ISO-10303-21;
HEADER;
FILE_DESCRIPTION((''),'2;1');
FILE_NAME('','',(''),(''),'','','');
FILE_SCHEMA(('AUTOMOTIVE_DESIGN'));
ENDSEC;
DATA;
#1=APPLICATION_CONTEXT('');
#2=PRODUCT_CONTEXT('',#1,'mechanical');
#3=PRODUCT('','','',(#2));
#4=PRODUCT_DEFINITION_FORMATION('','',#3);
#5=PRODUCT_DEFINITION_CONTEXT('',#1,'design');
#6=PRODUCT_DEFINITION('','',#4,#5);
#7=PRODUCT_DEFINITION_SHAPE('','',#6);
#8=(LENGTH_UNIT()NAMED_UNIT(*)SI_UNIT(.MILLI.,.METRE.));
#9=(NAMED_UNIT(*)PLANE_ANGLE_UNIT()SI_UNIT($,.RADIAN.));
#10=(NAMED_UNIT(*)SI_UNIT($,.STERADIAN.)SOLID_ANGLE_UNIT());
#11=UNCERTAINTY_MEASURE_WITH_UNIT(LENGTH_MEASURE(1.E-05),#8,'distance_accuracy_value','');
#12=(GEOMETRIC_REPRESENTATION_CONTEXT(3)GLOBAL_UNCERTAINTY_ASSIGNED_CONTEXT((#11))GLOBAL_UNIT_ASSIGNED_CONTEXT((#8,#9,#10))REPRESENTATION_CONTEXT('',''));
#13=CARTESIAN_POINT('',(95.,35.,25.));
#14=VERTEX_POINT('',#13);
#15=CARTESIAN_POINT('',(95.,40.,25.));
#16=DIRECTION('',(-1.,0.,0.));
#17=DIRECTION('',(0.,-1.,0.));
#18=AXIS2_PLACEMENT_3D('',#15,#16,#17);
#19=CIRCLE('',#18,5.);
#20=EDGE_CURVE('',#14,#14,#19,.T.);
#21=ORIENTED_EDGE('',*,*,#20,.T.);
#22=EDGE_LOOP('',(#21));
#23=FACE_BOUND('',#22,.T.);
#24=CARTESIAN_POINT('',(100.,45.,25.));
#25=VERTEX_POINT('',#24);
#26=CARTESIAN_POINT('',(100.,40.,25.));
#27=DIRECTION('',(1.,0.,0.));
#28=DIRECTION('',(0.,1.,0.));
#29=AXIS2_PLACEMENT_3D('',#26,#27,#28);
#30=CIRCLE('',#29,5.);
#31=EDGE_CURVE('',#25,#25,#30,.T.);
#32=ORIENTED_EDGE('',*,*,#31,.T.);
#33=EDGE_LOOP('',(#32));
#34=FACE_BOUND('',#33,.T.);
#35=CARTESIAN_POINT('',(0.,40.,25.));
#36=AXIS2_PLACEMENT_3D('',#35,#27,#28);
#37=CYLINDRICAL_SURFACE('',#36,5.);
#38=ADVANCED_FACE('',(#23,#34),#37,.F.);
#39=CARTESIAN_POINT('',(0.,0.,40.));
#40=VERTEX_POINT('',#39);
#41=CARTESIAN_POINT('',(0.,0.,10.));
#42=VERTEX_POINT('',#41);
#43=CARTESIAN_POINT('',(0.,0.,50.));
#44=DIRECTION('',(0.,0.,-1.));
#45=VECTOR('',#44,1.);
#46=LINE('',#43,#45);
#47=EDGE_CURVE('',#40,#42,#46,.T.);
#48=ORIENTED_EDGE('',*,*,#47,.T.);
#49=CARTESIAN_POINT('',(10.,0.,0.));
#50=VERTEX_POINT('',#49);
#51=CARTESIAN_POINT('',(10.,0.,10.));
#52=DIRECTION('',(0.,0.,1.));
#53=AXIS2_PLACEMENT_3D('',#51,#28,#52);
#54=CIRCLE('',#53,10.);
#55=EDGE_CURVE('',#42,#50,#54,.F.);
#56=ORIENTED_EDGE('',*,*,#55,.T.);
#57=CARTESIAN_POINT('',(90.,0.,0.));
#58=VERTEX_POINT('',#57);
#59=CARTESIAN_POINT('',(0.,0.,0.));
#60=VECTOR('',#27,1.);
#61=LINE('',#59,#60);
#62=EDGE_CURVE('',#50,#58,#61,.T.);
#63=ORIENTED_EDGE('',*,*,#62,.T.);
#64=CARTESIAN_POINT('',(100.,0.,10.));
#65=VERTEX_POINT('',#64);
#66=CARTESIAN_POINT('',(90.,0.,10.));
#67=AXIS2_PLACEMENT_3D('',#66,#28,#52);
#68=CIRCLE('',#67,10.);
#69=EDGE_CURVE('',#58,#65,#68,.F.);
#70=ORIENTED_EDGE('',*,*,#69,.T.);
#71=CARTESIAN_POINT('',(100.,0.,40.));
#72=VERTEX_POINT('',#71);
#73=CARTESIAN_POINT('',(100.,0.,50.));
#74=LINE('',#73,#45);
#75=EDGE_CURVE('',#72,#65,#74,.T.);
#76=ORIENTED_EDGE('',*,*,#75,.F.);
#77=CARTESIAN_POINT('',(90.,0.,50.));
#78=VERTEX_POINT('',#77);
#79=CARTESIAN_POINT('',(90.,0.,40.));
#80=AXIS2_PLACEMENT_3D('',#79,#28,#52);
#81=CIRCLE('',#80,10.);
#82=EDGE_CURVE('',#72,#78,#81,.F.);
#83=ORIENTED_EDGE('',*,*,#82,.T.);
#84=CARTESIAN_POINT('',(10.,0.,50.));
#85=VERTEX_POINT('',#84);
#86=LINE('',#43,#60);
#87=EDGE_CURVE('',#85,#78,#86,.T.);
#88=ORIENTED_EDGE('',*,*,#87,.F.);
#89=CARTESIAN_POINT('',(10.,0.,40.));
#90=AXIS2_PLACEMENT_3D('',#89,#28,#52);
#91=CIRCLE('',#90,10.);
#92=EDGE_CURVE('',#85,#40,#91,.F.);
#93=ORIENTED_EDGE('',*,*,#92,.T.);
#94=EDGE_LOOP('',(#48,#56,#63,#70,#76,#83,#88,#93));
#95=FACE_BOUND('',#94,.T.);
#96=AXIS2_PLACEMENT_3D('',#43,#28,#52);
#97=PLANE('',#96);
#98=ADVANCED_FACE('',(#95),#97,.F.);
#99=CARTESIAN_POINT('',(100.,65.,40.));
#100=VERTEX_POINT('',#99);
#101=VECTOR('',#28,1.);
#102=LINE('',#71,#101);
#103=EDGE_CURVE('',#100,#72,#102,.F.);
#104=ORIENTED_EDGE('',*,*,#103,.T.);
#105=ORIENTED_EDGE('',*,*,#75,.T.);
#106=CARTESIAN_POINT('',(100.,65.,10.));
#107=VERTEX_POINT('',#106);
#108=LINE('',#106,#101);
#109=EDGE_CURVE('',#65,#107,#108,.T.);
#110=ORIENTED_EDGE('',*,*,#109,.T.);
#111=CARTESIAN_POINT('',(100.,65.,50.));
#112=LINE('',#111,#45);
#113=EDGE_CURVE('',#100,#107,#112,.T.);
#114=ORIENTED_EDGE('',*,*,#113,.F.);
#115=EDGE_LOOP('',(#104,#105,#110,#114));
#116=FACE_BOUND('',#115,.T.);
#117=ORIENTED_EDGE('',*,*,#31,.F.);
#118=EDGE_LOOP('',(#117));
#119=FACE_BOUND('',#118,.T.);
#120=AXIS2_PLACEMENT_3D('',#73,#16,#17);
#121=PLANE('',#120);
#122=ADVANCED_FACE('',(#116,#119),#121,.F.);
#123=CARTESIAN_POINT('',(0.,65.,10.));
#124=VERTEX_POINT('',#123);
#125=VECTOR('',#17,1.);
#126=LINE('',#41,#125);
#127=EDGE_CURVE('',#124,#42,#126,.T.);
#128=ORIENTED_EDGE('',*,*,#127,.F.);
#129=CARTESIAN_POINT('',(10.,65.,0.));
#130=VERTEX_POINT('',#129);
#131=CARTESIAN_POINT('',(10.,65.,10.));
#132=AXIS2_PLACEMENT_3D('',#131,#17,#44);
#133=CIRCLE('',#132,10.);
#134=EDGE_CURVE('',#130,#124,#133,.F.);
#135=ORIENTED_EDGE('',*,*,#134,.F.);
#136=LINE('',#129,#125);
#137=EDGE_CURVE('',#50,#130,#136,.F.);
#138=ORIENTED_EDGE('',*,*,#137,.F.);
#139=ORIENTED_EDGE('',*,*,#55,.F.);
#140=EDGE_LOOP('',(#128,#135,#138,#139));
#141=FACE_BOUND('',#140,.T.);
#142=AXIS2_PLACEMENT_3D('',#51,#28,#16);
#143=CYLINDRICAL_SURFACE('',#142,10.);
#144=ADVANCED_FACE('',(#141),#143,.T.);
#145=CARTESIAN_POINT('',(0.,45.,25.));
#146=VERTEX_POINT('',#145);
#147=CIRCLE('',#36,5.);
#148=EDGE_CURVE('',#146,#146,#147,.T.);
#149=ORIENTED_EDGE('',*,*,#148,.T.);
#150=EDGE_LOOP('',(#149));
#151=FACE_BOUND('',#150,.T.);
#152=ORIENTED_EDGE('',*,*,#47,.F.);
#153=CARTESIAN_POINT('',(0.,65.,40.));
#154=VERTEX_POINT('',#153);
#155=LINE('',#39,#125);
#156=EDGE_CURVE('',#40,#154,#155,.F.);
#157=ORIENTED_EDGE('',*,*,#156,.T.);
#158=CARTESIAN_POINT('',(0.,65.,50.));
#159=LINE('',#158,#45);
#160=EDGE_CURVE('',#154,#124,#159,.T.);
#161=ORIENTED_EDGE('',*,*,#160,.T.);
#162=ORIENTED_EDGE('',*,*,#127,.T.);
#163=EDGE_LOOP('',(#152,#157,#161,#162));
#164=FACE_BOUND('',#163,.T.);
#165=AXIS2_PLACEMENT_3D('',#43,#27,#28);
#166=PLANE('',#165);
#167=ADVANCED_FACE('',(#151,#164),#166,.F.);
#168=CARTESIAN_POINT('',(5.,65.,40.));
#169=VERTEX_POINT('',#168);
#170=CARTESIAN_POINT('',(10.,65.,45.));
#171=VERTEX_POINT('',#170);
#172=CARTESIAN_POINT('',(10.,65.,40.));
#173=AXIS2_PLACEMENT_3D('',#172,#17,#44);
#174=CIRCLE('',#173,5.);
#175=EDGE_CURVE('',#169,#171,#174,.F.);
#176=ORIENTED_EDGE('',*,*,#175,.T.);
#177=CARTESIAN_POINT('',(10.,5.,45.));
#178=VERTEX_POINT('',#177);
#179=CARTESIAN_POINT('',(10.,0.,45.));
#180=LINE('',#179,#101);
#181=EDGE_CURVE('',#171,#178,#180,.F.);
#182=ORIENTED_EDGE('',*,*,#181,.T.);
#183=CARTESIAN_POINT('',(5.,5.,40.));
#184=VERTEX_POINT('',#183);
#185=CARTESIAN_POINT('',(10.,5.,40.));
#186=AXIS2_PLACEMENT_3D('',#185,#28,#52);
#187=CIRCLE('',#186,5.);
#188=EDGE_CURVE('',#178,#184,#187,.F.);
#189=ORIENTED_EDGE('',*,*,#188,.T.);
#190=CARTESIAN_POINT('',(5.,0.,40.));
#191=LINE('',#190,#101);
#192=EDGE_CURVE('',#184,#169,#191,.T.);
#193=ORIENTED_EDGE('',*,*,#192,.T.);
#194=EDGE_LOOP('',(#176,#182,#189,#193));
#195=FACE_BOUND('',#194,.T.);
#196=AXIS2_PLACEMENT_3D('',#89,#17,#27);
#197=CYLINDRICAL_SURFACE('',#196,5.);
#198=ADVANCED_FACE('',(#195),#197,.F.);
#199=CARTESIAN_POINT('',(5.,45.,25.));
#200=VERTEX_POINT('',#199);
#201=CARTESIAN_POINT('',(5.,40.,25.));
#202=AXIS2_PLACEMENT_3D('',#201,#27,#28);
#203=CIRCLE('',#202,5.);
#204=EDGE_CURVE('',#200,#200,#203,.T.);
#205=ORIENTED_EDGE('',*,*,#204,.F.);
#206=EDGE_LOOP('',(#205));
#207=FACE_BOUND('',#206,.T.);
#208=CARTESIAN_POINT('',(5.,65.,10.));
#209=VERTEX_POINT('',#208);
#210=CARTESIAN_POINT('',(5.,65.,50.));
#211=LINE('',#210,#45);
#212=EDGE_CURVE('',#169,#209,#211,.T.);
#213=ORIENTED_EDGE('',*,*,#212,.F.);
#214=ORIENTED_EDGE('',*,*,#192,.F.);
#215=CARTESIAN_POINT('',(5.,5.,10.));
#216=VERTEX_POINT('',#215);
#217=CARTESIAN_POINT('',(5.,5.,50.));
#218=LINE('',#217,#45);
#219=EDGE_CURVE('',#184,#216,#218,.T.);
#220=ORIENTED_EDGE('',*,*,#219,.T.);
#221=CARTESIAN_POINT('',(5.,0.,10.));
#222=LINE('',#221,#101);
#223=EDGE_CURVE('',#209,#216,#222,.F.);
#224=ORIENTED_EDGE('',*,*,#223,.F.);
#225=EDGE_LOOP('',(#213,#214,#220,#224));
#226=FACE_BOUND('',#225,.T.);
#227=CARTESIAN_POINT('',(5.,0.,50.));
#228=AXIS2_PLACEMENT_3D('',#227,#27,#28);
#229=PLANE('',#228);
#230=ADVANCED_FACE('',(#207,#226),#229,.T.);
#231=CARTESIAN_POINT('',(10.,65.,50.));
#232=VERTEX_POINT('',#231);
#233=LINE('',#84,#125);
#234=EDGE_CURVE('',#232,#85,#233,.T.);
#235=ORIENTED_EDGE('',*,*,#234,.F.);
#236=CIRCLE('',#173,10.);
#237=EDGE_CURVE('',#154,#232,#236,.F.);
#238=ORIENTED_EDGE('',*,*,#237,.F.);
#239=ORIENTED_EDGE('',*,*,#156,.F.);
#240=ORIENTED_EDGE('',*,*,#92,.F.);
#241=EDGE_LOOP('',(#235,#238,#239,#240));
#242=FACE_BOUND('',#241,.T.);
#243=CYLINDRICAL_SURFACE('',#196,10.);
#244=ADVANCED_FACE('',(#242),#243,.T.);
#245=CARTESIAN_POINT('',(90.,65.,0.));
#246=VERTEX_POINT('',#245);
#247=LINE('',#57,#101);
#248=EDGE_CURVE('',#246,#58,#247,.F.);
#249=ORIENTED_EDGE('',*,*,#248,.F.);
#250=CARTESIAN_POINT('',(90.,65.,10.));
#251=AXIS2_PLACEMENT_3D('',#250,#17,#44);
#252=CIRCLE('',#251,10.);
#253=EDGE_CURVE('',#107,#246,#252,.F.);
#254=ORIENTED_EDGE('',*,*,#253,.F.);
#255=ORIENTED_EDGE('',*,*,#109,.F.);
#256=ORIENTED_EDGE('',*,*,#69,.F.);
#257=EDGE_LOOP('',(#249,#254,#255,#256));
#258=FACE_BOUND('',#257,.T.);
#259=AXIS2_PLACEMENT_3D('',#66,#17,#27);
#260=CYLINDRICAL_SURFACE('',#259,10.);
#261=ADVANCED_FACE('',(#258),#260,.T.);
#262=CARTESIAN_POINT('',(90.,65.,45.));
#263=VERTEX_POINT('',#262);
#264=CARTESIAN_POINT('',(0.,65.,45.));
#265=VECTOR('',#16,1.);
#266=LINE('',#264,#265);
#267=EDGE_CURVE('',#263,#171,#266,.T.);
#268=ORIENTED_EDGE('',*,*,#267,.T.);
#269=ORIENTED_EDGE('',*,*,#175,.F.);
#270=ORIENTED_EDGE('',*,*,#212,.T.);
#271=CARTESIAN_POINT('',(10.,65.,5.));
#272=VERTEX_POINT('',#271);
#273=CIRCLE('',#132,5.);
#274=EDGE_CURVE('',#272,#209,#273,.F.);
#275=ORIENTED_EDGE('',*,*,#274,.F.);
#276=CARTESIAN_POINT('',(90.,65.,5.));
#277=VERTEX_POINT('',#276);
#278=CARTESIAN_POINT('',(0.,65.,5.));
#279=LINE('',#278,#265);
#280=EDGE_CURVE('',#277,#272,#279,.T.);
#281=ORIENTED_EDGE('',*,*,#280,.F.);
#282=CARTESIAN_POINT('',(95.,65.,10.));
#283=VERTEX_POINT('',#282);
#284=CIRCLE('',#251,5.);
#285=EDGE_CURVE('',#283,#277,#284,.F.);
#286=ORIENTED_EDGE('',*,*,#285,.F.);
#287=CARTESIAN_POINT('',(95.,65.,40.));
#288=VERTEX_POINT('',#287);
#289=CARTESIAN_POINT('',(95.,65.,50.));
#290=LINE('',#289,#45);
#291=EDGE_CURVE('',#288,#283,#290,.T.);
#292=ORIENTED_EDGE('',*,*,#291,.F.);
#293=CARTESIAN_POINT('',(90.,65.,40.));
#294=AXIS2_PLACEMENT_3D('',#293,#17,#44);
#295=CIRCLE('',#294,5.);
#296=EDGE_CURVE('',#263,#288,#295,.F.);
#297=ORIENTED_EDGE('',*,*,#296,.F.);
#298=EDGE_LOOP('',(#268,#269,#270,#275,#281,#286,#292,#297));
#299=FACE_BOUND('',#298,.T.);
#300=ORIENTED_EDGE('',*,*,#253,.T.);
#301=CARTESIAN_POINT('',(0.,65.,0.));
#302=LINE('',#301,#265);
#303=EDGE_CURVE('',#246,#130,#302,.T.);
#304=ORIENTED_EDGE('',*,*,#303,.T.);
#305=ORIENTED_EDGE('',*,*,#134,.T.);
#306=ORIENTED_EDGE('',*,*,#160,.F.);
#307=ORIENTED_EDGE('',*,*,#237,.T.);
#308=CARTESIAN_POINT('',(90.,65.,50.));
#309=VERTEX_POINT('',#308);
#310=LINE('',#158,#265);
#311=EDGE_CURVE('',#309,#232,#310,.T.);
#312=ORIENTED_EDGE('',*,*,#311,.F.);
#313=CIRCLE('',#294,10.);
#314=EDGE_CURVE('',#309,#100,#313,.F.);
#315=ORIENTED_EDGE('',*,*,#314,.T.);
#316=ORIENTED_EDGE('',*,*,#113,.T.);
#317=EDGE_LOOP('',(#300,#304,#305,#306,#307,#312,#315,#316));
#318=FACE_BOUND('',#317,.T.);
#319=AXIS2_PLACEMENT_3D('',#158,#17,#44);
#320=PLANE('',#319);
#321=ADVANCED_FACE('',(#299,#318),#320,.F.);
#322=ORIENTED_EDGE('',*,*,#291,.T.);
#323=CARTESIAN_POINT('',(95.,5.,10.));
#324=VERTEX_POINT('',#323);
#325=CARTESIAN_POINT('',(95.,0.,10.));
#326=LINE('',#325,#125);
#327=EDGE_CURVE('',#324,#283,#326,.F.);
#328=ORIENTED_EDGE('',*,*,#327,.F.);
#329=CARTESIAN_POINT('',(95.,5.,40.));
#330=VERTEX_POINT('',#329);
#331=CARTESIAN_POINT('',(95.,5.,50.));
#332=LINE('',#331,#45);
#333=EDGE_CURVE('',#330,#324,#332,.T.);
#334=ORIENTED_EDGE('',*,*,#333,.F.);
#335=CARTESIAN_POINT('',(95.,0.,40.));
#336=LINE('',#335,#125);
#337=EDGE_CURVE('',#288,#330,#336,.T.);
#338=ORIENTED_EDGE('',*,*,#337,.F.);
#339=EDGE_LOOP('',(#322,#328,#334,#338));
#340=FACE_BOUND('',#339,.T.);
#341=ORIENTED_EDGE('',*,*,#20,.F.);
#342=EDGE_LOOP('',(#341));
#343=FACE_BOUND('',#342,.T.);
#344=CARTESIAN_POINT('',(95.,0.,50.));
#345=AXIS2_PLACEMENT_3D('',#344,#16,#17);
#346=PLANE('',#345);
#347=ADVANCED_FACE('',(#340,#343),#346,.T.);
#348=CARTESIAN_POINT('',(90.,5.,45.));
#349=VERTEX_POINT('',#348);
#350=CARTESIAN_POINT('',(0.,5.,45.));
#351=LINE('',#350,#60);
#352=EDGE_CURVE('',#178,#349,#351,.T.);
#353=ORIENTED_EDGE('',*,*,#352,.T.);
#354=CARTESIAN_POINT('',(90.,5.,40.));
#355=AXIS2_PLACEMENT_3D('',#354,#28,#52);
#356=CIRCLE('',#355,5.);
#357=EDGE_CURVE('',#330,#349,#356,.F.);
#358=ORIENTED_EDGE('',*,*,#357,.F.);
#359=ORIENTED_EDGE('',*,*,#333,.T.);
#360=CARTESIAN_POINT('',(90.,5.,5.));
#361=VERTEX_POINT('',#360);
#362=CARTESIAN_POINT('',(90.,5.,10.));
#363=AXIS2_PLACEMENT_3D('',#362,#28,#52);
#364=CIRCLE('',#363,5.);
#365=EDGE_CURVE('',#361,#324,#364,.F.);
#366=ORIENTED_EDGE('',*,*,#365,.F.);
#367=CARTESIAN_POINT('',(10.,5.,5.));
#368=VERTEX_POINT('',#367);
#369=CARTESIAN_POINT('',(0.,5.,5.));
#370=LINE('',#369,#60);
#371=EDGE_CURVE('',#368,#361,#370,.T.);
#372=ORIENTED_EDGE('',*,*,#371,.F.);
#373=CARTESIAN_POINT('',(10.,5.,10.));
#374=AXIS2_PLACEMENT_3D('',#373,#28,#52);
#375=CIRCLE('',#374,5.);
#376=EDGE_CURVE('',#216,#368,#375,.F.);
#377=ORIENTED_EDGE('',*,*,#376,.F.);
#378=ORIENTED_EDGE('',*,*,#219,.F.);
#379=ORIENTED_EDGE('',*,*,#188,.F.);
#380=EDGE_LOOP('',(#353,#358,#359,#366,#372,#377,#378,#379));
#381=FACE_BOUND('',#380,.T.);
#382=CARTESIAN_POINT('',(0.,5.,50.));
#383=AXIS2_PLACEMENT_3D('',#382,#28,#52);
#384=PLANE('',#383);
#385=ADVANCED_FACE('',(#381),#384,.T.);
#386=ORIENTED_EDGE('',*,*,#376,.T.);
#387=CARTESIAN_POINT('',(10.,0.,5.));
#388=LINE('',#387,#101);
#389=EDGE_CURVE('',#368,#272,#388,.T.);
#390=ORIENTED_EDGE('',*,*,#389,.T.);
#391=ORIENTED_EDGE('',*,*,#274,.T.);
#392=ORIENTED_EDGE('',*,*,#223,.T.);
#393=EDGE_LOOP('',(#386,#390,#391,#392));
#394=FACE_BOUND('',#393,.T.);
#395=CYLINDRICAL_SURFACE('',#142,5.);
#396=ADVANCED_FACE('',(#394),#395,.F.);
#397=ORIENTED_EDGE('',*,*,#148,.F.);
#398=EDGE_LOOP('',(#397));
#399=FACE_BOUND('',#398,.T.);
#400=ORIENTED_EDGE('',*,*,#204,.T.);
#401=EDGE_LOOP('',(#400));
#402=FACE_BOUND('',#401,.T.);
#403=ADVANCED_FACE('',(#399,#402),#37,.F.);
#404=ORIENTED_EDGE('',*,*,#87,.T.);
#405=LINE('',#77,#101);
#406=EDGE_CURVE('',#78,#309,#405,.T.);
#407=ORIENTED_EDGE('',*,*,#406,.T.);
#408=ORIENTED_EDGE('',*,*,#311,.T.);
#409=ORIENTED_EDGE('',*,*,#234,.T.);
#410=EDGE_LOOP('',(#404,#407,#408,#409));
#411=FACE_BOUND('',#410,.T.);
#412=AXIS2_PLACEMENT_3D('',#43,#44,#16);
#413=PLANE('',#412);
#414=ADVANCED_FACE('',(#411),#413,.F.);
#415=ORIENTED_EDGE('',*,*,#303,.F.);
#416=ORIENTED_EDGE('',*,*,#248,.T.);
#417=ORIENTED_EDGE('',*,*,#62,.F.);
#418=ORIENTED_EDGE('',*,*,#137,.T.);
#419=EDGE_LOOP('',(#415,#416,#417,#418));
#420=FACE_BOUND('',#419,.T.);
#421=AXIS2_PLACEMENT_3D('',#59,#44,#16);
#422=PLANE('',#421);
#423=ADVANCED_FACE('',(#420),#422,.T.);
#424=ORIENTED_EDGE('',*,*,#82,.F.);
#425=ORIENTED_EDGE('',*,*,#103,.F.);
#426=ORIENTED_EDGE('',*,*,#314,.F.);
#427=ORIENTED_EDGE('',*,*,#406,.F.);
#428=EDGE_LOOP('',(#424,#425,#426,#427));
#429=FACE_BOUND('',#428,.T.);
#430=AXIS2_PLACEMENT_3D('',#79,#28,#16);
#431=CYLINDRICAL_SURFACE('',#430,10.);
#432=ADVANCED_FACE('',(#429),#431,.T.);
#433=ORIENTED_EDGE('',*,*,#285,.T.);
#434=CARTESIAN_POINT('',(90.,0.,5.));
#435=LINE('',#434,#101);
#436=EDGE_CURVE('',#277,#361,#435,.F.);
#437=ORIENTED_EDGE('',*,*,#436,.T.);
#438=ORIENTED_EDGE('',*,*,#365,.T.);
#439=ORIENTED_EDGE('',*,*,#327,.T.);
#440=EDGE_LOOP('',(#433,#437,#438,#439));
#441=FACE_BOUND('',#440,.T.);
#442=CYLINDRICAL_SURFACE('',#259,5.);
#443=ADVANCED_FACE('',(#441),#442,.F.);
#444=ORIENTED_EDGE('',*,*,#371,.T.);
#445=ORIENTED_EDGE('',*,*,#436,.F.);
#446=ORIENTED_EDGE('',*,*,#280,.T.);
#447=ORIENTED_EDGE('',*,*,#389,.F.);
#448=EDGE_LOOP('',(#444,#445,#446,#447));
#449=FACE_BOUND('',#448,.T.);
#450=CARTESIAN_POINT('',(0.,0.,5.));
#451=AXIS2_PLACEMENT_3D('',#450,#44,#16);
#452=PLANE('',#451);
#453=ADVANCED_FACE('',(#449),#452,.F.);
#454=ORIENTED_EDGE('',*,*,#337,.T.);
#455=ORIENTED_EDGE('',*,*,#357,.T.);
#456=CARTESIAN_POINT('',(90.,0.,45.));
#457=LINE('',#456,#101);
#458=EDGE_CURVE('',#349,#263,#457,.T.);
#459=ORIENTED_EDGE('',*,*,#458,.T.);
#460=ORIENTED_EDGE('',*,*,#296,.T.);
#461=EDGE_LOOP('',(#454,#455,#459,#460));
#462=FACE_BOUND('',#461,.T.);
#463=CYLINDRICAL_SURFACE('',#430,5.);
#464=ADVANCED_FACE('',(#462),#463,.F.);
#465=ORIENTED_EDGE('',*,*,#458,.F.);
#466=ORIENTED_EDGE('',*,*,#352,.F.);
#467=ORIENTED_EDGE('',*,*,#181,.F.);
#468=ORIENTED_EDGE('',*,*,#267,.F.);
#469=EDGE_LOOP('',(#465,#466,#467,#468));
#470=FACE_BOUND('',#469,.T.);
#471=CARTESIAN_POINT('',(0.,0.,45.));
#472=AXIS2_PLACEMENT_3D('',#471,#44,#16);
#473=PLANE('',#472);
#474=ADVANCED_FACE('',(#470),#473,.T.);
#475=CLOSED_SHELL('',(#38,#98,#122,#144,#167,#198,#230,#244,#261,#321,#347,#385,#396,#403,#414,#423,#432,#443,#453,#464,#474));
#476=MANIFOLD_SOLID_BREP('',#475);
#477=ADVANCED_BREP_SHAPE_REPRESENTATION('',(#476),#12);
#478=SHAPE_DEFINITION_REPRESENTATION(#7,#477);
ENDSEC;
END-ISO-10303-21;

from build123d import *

# Parameters (mm, degrees)
SKETCH2_W           = 100
SKETCH2_H           = 65
BOSS_EXTRUDE1_DEPTH = 50
FILLET1_R           = 10
SHELL1_T            = -5
SKETCH3_R           = 5
CUT_EXTRUDE1_DEPTH  = 101


with BuildPart() as part:
    # Sketch2 → Boss-Extrude1 (new body)
    with BuildSketch(Plane.XY):
        with Locations((50, 32.5)):
            Rectangle(SKETCH2_W, SKETCH2_H)
    extrude(amount=BOSS_EXTRUDE1_DEPTH)

    # Fillet1
    fillet1_edges = [part.edges().sort_by_distance(p)[0] for p in [
        (100, 32.5, 50),
        (0, 32.5, 50),
        (100, 32.5, 0),
        (0, 32.5, 0),
    ]]
    fillet(fillet1_edges, radius=FILLET1_R)

    # Shell1
    shell1_openings = [part.faces().sort_by_distance(p)[0] for p in [
        (50, 65, 25),
    ]]
    offset(amount=SHELL1_T, openings=shell1_openings, kind=Kind.INTERSECTION)

    # Sketch3 → Cut-Extrude1 (cut, through all)
    with BuildSketch(Plane(origin=(100, 0, 0), x_dir=(0, 0, -1), z_dir=(1, 0, 0))):
        with Locations((-25, 40)):
            Circle(SKETCH3_R)
    extrude(amount=-CUT_EXTRUDE1_DEPTH, mode=Mode.SUBTRACT)


solid = part.part
